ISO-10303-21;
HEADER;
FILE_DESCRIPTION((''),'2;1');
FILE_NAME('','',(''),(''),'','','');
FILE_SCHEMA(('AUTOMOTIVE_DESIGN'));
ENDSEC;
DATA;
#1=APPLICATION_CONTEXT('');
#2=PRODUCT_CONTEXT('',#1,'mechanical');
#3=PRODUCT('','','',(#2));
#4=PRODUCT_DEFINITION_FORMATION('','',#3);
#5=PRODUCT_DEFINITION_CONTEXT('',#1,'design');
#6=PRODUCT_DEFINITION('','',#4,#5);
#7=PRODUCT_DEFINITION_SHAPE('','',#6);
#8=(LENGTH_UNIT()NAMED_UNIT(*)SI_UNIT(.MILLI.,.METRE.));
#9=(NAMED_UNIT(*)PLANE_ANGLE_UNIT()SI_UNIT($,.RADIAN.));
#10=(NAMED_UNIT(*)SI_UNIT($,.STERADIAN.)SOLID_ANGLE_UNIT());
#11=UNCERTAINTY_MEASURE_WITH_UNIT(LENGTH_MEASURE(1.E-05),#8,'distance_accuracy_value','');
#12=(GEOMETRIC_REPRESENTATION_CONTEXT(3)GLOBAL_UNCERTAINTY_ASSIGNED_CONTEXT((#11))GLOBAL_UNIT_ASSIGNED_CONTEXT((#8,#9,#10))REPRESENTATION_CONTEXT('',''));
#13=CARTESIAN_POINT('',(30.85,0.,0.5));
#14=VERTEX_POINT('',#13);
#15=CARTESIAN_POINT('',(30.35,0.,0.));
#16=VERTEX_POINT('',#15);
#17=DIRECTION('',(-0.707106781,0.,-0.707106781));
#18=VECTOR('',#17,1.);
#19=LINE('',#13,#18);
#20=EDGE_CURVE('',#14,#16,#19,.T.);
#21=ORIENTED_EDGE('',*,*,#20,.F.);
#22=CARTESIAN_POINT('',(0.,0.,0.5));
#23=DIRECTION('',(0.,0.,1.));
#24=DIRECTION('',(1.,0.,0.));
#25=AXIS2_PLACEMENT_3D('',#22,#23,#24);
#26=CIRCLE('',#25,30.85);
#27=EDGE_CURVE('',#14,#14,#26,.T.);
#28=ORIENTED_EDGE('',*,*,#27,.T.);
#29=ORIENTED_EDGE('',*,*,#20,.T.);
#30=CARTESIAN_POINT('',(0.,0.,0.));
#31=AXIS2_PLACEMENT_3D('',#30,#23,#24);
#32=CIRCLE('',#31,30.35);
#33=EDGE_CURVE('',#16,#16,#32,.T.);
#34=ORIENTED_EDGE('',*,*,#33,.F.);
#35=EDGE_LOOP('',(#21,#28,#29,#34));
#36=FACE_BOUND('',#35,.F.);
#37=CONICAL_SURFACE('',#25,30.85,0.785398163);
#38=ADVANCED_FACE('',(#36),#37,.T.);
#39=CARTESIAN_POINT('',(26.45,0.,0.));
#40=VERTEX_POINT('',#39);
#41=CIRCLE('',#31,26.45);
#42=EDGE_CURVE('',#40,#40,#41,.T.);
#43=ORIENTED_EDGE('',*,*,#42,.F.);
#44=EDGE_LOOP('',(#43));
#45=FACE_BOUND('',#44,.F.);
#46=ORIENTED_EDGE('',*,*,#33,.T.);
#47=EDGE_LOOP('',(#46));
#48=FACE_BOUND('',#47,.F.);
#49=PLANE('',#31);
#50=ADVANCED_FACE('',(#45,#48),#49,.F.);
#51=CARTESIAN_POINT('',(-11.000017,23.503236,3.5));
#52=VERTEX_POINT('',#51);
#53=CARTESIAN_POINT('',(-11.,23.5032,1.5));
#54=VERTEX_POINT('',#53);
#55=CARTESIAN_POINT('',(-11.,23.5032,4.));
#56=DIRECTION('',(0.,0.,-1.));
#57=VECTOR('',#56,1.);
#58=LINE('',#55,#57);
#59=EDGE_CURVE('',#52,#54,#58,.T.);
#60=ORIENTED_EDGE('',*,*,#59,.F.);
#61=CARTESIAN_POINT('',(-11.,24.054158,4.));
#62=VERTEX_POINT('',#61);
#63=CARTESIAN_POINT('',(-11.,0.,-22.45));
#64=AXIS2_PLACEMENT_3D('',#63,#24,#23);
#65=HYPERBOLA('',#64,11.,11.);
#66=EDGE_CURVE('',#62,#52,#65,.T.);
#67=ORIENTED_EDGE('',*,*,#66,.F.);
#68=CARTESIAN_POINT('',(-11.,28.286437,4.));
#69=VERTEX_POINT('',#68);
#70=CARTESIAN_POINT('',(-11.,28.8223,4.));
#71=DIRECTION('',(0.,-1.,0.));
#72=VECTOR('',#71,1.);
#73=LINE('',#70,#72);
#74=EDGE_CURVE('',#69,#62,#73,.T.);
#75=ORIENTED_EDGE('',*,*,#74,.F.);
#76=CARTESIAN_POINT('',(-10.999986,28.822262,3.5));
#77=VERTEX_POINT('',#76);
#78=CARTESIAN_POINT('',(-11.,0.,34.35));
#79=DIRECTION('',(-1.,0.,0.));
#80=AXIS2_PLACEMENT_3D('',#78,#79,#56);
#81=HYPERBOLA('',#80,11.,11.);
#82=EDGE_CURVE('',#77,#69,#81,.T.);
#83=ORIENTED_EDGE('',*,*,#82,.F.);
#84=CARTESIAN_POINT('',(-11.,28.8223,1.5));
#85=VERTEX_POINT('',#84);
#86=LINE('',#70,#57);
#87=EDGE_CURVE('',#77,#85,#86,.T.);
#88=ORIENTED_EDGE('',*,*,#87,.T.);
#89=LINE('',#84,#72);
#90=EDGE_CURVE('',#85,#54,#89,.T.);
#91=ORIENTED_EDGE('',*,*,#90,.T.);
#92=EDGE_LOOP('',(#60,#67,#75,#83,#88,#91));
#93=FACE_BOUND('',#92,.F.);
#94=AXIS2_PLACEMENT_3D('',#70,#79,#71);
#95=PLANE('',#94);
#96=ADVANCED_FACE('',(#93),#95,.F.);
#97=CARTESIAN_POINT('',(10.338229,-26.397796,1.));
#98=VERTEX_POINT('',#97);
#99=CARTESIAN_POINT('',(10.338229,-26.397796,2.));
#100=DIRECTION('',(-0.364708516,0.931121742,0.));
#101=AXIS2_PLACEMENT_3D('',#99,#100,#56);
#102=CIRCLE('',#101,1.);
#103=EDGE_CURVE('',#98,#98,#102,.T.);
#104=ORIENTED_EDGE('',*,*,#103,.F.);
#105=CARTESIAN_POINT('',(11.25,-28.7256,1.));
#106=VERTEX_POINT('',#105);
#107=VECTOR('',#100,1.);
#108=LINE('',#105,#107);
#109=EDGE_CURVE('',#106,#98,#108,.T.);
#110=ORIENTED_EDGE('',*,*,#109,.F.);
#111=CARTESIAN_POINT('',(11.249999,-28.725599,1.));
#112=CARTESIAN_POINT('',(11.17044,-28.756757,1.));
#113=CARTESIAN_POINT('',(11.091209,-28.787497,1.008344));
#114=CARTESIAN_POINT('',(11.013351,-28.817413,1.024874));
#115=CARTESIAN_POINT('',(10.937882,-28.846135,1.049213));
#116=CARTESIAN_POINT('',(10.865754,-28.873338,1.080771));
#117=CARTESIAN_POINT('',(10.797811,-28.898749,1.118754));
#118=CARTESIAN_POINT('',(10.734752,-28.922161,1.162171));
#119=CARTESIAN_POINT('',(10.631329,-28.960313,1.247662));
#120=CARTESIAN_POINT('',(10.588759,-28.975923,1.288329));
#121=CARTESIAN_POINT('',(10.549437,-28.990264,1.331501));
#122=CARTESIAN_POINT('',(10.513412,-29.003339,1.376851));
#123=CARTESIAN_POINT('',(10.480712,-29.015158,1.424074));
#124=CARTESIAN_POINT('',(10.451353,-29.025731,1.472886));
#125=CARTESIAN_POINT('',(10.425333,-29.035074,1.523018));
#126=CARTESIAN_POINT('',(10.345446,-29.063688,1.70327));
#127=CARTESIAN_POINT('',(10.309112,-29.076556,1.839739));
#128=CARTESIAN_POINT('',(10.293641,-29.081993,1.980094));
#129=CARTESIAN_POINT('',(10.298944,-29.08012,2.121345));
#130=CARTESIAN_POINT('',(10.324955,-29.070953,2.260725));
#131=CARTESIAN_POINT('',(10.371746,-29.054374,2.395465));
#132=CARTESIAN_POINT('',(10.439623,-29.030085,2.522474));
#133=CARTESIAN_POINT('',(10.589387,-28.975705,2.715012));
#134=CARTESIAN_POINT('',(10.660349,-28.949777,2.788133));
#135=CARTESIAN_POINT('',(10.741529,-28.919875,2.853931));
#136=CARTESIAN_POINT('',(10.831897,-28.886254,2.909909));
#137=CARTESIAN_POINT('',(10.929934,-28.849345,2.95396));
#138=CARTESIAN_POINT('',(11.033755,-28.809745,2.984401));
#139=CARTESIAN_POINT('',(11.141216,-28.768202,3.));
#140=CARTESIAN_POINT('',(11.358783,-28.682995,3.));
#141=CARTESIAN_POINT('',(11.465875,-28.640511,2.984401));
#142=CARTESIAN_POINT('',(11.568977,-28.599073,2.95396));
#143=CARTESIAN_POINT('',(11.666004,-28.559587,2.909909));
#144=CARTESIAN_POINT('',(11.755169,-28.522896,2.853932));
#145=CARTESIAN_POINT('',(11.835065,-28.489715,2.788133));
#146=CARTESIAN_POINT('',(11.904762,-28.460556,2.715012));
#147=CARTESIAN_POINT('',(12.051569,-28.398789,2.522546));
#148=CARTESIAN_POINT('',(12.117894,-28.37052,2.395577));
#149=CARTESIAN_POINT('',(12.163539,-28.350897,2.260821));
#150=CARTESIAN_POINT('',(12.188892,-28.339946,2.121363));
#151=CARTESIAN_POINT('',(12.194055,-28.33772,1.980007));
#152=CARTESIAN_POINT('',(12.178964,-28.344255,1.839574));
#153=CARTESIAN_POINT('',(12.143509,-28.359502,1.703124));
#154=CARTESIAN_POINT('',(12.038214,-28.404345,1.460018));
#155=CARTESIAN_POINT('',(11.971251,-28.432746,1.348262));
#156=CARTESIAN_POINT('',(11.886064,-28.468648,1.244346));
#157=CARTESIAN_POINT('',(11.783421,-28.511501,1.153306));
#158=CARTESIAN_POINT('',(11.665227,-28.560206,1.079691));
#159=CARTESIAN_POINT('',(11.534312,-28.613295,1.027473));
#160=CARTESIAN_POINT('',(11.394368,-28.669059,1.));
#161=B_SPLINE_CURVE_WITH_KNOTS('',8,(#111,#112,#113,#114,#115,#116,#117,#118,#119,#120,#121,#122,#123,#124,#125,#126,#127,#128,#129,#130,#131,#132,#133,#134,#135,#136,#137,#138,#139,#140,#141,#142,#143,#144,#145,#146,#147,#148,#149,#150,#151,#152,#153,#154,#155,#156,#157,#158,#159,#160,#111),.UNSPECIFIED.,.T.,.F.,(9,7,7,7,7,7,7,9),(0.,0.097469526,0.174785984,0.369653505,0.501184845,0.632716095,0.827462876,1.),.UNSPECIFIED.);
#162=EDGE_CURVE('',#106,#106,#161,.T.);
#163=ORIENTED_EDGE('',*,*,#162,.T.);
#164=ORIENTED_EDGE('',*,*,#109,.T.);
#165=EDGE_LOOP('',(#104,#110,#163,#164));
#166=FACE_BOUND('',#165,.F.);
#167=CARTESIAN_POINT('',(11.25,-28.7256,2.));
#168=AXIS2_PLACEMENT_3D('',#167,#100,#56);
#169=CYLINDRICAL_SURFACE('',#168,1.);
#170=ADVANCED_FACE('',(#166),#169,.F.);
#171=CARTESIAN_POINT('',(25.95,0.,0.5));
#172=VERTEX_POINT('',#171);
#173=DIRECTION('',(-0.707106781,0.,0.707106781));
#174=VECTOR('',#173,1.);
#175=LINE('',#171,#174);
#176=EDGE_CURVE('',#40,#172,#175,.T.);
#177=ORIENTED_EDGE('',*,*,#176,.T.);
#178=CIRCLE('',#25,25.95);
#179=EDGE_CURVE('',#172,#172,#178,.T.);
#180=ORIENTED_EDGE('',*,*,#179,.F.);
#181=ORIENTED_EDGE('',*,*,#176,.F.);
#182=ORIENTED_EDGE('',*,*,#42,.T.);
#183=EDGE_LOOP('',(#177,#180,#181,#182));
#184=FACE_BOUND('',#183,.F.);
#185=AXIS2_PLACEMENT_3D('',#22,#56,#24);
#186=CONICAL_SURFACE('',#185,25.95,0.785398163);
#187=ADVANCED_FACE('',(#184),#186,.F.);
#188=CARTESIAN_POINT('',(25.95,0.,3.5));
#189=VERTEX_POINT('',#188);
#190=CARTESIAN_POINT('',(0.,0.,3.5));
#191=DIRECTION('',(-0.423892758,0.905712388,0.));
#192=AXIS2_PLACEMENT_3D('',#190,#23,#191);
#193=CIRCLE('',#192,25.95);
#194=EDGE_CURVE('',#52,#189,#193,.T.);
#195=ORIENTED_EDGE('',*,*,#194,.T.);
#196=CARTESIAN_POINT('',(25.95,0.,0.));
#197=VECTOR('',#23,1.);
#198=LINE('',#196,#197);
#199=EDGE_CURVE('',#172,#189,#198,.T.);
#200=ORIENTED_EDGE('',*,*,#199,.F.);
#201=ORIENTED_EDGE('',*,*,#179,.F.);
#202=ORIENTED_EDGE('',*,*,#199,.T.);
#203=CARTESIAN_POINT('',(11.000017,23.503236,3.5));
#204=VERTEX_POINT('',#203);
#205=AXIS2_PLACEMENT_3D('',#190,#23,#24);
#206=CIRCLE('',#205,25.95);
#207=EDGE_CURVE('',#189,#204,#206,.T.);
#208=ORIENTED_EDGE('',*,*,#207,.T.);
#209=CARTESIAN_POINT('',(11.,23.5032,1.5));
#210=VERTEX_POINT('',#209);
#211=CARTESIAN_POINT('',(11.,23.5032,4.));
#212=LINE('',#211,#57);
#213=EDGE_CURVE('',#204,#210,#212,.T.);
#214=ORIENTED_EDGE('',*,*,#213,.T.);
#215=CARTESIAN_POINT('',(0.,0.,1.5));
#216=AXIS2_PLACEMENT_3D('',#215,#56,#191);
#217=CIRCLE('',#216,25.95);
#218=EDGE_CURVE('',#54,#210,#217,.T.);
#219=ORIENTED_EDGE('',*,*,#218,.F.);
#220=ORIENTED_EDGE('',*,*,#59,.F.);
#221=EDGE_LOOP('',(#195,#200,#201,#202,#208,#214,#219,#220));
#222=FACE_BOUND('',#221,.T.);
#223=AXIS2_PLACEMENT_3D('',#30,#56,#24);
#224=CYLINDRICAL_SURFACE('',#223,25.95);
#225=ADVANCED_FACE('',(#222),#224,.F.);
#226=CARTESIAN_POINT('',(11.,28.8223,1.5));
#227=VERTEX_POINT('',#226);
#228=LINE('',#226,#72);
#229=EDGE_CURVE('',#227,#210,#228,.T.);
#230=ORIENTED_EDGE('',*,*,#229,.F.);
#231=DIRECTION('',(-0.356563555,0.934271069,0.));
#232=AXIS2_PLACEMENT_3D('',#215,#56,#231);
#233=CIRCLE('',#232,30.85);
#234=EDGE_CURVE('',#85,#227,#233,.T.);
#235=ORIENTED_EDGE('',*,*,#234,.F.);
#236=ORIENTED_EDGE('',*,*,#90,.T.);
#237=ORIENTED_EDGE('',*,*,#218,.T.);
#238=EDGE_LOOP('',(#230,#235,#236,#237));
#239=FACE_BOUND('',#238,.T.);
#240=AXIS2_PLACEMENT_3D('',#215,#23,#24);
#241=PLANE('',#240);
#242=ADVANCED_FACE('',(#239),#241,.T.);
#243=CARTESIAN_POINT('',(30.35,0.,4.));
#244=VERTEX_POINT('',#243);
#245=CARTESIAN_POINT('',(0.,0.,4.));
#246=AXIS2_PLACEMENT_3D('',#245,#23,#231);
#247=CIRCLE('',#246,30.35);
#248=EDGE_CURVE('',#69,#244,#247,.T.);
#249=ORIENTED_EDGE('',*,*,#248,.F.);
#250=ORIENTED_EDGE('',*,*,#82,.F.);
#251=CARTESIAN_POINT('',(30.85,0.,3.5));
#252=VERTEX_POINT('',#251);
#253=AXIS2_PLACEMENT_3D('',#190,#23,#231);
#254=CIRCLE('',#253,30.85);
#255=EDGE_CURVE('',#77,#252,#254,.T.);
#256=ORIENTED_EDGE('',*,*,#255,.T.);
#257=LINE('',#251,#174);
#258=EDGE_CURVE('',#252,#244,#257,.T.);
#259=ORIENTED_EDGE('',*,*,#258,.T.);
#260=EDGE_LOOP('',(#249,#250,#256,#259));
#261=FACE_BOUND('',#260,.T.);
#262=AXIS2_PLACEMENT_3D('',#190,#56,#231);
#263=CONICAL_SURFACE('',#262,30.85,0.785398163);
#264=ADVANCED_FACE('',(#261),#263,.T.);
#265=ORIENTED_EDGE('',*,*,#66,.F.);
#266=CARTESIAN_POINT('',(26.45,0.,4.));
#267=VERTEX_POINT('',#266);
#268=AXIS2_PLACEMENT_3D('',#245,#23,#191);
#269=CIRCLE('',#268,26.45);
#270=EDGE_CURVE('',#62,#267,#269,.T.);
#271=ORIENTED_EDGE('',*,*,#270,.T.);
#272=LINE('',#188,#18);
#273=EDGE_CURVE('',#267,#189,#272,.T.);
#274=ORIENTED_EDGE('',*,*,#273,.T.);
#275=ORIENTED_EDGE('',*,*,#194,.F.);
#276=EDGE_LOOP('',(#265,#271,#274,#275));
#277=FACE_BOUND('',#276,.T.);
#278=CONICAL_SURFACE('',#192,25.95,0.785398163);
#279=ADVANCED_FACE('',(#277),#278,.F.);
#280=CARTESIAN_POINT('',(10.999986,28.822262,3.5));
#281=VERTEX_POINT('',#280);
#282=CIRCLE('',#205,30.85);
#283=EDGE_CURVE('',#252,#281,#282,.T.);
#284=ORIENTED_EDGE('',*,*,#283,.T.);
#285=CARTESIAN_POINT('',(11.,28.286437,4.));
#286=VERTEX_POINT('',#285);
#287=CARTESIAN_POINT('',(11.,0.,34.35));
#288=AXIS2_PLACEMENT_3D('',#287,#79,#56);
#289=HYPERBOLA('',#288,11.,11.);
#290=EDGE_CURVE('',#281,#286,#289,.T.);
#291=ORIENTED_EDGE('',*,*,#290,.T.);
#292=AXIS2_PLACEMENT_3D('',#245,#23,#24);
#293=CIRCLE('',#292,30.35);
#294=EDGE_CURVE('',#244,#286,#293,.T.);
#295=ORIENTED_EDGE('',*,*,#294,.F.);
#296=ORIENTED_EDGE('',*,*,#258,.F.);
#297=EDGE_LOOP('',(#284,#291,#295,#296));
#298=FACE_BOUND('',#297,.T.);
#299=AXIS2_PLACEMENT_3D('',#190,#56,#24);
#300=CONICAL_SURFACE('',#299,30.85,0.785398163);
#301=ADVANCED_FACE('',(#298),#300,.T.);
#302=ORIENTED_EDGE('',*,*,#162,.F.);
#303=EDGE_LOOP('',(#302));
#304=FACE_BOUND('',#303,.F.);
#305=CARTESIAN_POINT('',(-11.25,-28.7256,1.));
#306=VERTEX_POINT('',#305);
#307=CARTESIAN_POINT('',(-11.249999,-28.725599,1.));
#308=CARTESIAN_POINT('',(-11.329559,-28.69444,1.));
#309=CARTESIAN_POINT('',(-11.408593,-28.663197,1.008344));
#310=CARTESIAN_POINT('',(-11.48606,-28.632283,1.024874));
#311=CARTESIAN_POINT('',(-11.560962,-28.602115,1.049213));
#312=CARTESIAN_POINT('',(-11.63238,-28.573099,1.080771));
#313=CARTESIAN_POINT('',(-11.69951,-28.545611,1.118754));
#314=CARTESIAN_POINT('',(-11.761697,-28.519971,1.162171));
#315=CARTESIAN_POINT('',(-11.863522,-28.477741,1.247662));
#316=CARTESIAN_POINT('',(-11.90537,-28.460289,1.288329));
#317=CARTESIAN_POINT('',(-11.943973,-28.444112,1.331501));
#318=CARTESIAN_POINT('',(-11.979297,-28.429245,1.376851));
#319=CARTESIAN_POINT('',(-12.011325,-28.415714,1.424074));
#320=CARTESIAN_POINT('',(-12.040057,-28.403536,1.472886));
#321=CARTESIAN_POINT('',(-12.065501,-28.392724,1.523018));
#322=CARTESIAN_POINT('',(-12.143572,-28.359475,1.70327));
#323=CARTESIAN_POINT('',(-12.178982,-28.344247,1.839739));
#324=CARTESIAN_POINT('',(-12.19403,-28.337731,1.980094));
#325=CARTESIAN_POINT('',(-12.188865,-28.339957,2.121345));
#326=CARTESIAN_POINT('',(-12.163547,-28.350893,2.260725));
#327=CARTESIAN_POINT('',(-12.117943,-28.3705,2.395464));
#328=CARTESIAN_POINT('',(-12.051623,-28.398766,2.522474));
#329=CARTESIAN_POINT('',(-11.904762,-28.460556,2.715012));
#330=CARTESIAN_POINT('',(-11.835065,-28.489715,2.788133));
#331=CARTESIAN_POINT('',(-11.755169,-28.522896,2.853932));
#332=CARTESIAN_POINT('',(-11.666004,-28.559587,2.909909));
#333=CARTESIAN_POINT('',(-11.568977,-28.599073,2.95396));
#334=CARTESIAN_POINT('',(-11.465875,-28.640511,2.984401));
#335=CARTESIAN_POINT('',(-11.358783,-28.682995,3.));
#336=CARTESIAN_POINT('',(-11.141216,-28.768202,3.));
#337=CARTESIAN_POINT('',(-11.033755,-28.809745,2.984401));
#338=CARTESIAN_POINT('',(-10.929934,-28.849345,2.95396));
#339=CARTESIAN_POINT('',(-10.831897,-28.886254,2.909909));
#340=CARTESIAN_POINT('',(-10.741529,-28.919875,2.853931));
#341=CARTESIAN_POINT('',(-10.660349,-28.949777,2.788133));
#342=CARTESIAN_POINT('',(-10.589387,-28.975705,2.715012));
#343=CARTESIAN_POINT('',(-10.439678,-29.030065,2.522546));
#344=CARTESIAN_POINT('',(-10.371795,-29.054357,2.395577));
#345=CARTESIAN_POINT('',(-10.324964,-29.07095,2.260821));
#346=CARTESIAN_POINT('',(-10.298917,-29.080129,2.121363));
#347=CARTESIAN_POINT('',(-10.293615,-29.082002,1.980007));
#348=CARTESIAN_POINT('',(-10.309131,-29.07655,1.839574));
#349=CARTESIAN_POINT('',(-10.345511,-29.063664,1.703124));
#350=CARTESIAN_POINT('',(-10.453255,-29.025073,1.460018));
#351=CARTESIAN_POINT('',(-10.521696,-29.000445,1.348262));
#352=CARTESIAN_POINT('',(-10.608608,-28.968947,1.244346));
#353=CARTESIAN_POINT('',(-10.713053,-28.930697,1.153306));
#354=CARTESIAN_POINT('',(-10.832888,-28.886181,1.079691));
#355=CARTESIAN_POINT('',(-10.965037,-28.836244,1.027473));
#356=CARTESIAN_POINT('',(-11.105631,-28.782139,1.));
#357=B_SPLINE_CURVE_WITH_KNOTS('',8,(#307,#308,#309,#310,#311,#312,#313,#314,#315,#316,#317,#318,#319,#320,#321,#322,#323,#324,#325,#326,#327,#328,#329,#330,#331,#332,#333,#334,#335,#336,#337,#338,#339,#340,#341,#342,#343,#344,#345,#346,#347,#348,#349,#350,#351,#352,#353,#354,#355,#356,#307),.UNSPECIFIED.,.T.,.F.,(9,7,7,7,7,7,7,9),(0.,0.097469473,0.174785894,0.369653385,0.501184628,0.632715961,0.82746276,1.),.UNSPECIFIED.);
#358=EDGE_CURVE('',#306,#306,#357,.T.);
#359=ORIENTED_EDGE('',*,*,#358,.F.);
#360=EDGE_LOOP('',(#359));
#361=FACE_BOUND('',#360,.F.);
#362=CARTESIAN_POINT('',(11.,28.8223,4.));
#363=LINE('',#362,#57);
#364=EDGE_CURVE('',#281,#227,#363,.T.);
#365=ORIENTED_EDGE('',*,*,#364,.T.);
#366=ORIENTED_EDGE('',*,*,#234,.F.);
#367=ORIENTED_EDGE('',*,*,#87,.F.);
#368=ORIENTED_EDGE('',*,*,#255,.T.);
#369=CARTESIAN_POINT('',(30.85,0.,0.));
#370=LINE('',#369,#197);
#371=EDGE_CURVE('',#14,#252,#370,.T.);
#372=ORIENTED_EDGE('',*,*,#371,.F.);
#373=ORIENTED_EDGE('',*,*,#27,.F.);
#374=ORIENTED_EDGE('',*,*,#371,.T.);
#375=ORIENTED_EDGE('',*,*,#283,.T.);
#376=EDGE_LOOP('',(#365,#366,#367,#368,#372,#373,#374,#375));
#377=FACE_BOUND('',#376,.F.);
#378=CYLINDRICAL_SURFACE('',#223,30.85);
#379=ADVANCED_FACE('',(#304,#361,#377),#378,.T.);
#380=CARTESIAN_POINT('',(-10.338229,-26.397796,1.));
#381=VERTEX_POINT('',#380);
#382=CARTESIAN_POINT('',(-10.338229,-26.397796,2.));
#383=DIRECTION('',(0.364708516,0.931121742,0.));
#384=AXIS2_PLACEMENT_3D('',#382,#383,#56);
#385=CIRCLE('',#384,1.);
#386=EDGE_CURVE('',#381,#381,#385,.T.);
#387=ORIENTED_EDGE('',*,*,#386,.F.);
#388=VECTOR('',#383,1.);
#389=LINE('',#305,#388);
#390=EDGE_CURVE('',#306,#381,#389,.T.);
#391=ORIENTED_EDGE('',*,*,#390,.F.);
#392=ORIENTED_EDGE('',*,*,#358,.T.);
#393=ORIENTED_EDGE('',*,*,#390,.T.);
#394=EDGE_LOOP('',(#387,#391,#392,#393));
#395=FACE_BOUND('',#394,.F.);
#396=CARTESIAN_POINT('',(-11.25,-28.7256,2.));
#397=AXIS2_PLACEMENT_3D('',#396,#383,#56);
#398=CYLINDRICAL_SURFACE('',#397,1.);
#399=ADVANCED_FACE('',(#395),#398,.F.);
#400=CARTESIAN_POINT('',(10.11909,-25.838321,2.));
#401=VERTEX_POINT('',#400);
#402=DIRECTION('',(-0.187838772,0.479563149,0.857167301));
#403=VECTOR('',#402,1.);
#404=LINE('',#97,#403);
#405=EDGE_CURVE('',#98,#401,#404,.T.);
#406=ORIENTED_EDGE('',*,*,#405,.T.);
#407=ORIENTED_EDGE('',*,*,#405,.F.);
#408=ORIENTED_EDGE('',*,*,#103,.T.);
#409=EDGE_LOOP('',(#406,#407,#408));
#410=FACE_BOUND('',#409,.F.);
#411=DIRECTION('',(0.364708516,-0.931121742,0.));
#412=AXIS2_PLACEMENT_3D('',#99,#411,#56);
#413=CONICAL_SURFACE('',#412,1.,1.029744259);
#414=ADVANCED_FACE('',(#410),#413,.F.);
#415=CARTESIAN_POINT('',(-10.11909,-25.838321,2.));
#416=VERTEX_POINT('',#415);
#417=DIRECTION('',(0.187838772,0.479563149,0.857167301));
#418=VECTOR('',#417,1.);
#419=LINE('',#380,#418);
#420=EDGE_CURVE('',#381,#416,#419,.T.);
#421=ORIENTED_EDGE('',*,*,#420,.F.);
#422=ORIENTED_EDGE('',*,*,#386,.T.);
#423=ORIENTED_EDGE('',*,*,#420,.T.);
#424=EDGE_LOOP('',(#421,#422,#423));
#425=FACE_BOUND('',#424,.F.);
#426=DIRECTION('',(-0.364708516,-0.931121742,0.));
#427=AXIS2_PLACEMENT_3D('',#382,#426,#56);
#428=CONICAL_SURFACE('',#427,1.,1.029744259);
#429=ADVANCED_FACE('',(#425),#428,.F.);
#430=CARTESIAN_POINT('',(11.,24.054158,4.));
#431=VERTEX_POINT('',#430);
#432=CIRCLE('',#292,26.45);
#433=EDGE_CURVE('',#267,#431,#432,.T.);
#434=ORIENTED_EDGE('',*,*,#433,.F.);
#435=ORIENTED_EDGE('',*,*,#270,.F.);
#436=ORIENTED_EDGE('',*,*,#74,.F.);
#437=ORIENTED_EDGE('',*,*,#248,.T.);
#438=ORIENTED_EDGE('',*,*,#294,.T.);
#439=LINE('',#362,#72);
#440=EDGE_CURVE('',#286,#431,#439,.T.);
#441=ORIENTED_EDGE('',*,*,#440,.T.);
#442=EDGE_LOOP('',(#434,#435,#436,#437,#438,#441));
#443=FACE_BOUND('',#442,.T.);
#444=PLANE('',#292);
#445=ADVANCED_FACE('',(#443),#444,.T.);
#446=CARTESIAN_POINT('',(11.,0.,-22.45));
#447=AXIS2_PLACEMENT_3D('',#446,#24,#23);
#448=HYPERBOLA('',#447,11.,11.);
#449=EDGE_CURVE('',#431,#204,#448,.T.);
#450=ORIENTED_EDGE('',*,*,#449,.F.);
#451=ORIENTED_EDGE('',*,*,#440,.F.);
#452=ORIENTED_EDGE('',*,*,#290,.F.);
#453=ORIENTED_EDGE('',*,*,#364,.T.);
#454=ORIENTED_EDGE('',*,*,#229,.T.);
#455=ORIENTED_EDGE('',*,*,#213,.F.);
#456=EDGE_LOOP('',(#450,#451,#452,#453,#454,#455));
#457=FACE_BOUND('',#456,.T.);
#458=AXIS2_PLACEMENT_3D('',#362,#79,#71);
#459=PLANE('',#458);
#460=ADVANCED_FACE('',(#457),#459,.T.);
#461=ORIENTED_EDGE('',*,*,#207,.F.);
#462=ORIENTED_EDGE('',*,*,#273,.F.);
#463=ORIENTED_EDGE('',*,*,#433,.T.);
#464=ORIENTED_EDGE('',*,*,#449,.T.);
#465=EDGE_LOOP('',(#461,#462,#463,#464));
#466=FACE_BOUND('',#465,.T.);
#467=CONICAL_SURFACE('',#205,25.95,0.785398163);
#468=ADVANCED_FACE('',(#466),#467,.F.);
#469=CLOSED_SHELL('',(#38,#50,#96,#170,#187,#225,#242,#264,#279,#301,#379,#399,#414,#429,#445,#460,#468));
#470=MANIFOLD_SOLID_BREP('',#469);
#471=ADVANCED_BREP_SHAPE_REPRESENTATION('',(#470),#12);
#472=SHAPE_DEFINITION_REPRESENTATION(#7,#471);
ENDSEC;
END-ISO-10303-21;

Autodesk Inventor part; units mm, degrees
sketch "草圖1" plane through (0, 0, 0) normal (0, 0, 1) x (1, 0, 0)
  circle A0 centre (0, 0) radius 30.85
  circle A1 centre (0, 0) radius 25.95
  dimension "d0" = 61.7
  dimension "d3" = 51.9
extrude "擠出1" add sketch "草圖1" along normal blind 4
sketch "草圖2" plane through (0, 0, 4) normal (0, 0, 1) x (1, 0, 0)
  circle A0 centre (0, 0) radius 25.95 projected
  circle A1 centre (0, 0) radius 30.85 projected
  line L0 (0, 0) -> (0, 30.85)
  line L1 (11, 28.8223) -> (11, 23.5032)
  line L2 (-11, 28.8223) -> (-11, 23.5032)
  dimension "d6" = 22
extrude "擠出2" cut sketch "草圖2" against normal blind 2.5 contours A0 L0 A1 L1 | L2 A1 L0 A0
ref_plane "工作平面1" through (0, 0, 2) normal (0, 0, 1) x (1, 0, 0)
sketch "草圖3" plane through (0, 0, 2) normal (0, 0, 1) x (1, 0, 0)
  line L0 (0, 0) -> (0, -42.4806)
  line L1 (0, 0) -> (-11.25, -28.7256)
  line L2 (0, 0) -> (11.25, -28.7256)
  arc A0 (-11, 28.8223) -> (11, 28.8223) centre (0, 0) ccw projected
  line L3 (-11.25, -28.7256) -> (11.25, -28.7256)
  dimension "d9" = 22.5
ref_plane "工作平面2" through (11.25, -28.7256, 2) normal (0.3647, -0.9311, 0) x (0.9311, 0.3647, 0)
ref_plane "工作平面3" through (-11.25, -28.7256, 2) normal (-0.3647, -0.9311, 0) x (0.9311, -0.3647, 0)
sketch "草圖4" plane through (11.25, -28.7256, 2) normal (0.3647, -0.9311, 0) x (0.9311, 0.3647, 0)
  point P0 (0, -2)
  point P1 (0, 0)
hole "孔1" at (11.25, -28.7256, 2) direction (-0.3647, 0.9311, 0) diameter 2 depth 2.5 tip angle 118
sketch "草圖5" plane through (-11.25, -28.7256, 2) normal (-0.3647, -0.9311, 0) x (0.9311, -0.3647, 0)
  point P0 (0, -2)
  point P1 (0, 0)
hole "孔2" at (-11.25, -28.7256, 2) direction (0.3647, 0.9311, 0) diameter 2 depth 2.5 tip angle 118
chamfer "倒角1" distance 0.5 angle 45 6 edges at (-13.9275, -21.8958, 4) (21.8958, 13.9275, 4) (-25.95, 0, 0) (-17.4982, -25.4074, 4) (25.4074, 17.4982, 4) (-30.85, 0, 0)
properties part number "KE-SP-02-P1"
